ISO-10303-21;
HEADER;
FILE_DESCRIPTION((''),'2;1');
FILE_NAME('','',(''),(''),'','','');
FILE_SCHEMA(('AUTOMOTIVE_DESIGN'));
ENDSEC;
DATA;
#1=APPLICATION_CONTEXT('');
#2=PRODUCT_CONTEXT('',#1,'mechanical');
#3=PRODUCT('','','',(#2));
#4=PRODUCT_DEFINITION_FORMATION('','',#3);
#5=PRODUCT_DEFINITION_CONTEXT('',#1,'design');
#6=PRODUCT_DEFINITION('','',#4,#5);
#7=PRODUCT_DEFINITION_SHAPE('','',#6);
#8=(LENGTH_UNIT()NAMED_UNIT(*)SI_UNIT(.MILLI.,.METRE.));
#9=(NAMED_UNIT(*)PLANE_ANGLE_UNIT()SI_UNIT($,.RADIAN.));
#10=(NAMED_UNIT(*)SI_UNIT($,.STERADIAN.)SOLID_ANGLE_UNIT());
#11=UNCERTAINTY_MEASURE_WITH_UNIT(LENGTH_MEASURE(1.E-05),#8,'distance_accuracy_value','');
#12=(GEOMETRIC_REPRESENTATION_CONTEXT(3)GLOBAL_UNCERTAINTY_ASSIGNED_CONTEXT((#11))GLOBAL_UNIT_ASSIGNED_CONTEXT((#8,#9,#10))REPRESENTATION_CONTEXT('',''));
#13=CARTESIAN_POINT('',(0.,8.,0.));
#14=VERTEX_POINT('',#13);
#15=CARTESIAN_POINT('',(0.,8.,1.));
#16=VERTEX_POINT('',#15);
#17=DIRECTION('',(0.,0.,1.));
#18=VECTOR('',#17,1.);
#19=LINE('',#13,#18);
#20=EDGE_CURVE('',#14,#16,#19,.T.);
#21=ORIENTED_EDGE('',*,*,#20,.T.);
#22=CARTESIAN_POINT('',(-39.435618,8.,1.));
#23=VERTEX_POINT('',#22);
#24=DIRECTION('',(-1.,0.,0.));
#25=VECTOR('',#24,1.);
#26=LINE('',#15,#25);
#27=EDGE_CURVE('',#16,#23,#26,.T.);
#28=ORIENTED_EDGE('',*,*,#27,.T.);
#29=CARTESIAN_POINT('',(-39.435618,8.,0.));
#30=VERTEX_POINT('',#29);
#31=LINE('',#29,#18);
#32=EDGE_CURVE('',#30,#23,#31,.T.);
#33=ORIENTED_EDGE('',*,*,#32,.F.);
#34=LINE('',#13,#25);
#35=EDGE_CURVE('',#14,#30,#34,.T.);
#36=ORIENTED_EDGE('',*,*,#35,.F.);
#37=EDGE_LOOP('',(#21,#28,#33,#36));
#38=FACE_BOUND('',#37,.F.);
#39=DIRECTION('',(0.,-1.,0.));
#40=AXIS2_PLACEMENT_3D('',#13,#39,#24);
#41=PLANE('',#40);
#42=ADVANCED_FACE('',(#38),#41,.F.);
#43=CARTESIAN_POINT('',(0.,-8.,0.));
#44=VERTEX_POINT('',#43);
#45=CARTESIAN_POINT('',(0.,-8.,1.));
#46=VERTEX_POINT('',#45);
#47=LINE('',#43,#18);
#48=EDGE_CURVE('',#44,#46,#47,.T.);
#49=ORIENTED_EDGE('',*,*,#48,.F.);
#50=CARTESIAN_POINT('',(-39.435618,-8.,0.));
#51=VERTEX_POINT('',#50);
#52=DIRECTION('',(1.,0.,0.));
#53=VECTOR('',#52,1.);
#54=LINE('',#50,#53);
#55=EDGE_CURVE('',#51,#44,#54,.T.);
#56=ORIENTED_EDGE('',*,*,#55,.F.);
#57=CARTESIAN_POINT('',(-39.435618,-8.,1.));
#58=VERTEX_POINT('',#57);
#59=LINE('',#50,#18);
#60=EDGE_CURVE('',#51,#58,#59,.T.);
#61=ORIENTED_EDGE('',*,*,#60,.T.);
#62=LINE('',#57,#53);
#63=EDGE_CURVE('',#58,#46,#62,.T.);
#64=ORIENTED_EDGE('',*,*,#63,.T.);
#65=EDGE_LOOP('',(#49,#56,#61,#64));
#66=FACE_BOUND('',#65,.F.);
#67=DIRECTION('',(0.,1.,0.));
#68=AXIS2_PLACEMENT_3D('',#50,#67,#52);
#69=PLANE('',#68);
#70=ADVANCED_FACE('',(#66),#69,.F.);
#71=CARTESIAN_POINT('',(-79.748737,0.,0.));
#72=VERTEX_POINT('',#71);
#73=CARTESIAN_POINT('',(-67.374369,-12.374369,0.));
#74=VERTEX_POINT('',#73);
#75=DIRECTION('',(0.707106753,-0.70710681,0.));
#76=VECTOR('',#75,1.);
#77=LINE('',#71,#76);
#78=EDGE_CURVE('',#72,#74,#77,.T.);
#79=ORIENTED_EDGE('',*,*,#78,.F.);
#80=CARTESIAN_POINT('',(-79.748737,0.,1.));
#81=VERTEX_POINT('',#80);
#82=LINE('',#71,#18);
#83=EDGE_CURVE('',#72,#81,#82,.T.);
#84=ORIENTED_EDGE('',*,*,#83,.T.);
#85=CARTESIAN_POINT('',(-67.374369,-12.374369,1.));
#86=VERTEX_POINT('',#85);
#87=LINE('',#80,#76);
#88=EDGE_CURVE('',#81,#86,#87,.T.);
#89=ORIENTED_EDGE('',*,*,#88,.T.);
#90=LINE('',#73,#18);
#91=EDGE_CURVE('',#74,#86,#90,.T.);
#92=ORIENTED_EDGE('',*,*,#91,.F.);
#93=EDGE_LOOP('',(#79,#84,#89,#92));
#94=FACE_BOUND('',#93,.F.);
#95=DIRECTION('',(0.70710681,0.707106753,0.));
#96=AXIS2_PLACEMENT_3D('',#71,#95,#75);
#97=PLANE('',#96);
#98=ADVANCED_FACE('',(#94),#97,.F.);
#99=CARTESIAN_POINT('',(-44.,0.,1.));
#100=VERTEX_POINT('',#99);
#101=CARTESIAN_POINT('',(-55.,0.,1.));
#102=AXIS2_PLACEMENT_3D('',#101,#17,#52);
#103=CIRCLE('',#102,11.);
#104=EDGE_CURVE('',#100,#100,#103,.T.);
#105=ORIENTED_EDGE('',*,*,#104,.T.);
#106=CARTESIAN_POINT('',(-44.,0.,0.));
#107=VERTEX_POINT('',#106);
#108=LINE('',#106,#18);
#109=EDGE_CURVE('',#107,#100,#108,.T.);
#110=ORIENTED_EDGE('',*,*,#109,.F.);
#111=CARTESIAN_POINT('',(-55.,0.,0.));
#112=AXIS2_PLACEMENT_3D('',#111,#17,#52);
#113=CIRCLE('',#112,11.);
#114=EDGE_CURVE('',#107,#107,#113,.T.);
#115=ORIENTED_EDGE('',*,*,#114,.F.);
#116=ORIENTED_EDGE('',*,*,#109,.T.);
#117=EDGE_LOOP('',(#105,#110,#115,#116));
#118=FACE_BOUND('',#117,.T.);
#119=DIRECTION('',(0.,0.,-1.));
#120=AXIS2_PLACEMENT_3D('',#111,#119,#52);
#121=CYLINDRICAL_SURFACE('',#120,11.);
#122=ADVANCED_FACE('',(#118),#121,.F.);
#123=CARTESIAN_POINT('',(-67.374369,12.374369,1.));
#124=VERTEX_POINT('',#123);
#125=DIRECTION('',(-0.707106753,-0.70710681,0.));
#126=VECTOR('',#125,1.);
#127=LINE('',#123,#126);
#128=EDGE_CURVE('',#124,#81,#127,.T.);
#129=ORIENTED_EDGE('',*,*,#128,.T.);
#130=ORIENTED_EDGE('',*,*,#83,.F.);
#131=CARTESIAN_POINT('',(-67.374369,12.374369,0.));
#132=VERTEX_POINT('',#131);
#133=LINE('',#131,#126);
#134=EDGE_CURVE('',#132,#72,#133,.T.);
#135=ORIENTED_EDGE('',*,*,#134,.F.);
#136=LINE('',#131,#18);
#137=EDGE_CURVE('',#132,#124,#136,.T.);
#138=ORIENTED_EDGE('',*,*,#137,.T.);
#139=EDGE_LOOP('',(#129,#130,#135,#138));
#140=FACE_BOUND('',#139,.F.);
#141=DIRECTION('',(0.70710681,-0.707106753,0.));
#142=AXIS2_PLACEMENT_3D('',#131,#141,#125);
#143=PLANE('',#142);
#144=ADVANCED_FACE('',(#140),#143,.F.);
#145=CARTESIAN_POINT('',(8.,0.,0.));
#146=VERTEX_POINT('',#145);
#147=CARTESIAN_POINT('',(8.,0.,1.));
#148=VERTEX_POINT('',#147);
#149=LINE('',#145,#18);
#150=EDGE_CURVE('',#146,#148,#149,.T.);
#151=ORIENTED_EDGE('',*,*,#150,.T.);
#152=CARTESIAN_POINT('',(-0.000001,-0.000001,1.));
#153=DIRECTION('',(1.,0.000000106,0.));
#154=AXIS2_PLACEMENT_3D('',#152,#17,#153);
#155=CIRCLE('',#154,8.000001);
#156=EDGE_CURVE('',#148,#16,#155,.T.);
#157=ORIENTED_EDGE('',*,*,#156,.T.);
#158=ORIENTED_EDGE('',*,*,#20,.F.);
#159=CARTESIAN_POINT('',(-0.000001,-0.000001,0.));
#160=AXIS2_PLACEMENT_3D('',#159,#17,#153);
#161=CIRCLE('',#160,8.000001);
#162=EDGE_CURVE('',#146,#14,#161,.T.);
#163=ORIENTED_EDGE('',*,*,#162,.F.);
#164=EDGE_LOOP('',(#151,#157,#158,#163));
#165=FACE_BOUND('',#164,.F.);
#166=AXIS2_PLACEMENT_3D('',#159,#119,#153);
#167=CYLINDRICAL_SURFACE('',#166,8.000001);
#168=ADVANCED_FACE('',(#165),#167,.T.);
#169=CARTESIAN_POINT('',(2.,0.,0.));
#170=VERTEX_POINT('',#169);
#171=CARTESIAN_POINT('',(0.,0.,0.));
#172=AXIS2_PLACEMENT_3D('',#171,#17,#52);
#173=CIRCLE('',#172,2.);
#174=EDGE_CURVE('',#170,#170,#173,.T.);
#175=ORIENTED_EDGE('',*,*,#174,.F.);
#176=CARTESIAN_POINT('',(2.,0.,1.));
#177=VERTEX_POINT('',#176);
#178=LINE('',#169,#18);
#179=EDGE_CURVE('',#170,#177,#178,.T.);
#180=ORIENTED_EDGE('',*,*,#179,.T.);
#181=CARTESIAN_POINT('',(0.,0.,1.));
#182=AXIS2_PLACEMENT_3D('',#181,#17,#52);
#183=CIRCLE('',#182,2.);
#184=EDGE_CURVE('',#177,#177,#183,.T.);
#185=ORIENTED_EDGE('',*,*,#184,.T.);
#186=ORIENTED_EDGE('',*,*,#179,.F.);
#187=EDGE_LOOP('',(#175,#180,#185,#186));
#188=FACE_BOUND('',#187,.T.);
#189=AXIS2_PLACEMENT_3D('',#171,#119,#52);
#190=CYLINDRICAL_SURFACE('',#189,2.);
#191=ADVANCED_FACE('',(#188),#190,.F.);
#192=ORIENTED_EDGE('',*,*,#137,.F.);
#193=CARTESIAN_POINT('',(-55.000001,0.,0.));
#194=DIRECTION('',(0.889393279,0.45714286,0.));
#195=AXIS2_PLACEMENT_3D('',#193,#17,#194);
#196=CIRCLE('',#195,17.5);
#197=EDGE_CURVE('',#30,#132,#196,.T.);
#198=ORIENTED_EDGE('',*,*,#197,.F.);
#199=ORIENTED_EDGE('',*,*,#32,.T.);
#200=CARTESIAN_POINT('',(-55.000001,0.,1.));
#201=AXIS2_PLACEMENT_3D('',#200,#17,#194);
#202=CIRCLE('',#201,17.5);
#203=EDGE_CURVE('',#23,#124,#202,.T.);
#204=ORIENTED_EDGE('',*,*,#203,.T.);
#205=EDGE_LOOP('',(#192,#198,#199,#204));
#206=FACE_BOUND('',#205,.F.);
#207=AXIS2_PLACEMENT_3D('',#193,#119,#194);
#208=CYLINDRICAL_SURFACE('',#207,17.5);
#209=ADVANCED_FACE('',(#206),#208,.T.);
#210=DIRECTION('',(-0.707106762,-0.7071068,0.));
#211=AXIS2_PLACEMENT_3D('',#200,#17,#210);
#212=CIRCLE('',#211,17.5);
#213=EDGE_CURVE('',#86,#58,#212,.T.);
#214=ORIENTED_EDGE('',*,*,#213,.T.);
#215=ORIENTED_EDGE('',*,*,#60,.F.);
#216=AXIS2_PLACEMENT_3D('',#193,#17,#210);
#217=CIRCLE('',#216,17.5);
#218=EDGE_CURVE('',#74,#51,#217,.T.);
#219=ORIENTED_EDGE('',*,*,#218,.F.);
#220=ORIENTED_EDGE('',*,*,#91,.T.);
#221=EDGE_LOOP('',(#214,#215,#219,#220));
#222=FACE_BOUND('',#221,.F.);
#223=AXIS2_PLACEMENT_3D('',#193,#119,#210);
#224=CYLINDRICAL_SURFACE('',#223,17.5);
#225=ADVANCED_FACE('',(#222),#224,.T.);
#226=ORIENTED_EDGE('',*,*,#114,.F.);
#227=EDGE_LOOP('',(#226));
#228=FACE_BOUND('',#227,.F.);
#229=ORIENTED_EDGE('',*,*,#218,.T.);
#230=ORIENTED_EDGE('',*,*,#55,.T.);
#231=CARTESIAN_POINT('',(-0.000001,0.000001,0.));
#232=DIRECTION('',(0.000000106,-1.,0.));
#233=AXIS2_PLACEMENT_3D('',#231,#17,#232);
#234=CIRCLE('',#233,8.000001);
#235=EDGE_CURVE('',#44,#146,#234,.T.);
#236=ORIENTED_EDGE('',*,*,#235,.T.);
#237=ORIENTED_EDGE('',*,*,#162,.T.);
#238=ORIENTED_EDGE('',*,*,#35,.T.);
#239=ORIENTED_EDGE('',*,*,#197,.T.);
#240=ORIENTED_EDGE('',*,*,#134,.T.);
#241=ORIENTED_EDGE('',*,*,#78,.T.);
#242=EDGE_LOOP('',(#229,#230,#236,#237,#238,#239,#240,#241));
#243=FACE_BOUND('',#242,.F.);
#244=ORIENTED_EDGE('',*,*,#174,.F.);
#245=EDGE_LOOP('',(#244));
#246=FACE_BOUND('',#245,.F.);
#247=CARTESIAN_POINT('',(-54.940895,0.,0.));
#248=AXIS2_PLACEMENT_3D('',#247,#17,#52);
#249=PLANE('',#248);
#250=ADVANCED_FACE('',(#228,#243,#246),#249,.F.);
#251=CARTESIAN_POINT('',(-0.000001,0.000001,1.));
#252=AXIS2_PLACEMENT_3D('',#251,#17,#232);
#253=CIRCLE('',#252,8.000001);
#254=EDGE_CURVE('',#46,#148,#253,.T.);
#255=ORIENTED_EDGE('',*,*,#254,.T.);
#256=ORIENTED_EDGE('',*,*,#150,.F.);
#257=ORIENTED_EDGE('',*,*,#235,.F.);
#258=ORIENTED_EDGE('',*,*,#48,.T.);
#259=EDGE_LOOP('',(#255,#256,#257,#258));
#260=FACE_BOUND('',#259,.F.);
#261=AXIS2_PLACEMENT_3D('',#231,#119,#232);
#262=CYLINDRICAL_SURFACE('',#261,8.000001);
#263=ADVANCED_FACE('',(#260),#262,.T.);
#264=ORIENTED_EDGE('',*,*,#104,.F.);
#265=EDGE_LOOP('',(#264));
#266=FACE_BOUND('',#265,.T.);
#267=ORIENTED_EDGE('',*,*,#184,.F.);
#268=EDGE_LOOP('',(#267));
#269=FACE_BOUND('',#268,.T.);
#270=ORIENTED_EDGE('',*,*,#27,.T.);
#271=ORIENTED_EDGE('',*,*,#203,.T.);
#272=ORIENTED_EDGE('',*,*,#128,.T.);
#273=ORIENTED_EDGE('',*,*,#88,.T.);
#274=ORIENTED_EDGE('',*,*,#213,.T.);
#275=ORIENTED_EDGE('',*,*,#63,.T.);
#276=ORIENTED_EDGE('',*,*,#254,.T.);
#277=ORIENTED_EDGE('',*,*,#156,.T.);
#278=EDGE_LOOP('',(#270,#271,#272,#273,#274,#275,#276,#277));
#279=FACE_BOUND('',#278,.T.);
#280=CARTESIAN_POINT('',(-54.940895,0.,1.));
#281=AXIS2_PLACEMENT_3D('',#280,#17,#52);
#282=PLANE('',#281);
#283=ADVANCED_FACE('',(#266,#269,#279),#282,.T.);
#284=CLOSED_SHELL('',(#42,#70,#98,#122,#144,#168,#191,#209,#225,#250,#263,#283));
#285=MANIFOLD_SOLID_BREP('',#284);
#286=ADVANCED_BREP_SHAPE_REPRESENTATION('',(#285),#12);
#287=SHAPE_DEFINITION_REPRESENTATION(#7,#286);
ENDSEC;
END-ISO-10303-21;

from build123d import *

# Parameters (mm, degrees)
F0_R     = 11
F0_R_2   = 2
F1_DEPTH = 1


with BuildPart() as f1:
    # F0 (on Top) → F1 (new body)
    with BuildSketch(Plane.XY):
        with BuildLine():
            ThreePointArc((-37.5, 0), (-37.990786, 4.115417), (-39.435618, 8))
            ThreePointArc((-39.435618, 8), (-52.293005, 17.289366), (-67.374369, 12.374369))
            ThreePointArc((-67.374369, 12.374369), (-72.5, 0), (-67.374369, -12.374369))
            ThreePointArc((-67.374369, -12.374369), (-52.293005, -17.289366), (-39.435618, -8))
            ThreePointArc((-39.435618, -8), (-37.990786, -4.115417), (-37.5, 0))
        make_face()
        with Locations((-55, 0)):
            Circle(F0_R, mode=Mode.SUBTRACT)
        with BuildLine():
            ThreePointArc((-67.374369, -12.374369), (-72.5, 0), (-67.374369, 12.374369))
            Line((-67.374369, 12.374369), (-79.748737, 0))
            Line((-79.748737, 0), (-67.374369, -12.374369))
        make_face()
        with BuildLine():
            ThreePointArc((0, -8), (-8, 0), (0, 8))
            Line((0, 8), (-39.435618, 8))
            ThreePointArc((-39.435618, 8), (-37.990786, 4.115417), (-37.5, 0))
            ThreePointArc((-37.5, 0), (-37.990786, -4.115417), (-39.435618, -8))
            Line((-39.435618, -8), (0, -8))
        make_face()
        with BuildLine():
            ThreePointArc((0, -8), (5.656854, -5.656854), (8, 0))
            ThreePointArc((8, 0), (5.656854, 5.656854), (0, 8))
            ThreePointArc((0, 8), (-8, 0), (0, -8))
        make_face()
        Circle(F0_R_2, mode=Mode.SUBTRACT)
    extrude(amount=F1_DEPTH)


solid = f1.part
